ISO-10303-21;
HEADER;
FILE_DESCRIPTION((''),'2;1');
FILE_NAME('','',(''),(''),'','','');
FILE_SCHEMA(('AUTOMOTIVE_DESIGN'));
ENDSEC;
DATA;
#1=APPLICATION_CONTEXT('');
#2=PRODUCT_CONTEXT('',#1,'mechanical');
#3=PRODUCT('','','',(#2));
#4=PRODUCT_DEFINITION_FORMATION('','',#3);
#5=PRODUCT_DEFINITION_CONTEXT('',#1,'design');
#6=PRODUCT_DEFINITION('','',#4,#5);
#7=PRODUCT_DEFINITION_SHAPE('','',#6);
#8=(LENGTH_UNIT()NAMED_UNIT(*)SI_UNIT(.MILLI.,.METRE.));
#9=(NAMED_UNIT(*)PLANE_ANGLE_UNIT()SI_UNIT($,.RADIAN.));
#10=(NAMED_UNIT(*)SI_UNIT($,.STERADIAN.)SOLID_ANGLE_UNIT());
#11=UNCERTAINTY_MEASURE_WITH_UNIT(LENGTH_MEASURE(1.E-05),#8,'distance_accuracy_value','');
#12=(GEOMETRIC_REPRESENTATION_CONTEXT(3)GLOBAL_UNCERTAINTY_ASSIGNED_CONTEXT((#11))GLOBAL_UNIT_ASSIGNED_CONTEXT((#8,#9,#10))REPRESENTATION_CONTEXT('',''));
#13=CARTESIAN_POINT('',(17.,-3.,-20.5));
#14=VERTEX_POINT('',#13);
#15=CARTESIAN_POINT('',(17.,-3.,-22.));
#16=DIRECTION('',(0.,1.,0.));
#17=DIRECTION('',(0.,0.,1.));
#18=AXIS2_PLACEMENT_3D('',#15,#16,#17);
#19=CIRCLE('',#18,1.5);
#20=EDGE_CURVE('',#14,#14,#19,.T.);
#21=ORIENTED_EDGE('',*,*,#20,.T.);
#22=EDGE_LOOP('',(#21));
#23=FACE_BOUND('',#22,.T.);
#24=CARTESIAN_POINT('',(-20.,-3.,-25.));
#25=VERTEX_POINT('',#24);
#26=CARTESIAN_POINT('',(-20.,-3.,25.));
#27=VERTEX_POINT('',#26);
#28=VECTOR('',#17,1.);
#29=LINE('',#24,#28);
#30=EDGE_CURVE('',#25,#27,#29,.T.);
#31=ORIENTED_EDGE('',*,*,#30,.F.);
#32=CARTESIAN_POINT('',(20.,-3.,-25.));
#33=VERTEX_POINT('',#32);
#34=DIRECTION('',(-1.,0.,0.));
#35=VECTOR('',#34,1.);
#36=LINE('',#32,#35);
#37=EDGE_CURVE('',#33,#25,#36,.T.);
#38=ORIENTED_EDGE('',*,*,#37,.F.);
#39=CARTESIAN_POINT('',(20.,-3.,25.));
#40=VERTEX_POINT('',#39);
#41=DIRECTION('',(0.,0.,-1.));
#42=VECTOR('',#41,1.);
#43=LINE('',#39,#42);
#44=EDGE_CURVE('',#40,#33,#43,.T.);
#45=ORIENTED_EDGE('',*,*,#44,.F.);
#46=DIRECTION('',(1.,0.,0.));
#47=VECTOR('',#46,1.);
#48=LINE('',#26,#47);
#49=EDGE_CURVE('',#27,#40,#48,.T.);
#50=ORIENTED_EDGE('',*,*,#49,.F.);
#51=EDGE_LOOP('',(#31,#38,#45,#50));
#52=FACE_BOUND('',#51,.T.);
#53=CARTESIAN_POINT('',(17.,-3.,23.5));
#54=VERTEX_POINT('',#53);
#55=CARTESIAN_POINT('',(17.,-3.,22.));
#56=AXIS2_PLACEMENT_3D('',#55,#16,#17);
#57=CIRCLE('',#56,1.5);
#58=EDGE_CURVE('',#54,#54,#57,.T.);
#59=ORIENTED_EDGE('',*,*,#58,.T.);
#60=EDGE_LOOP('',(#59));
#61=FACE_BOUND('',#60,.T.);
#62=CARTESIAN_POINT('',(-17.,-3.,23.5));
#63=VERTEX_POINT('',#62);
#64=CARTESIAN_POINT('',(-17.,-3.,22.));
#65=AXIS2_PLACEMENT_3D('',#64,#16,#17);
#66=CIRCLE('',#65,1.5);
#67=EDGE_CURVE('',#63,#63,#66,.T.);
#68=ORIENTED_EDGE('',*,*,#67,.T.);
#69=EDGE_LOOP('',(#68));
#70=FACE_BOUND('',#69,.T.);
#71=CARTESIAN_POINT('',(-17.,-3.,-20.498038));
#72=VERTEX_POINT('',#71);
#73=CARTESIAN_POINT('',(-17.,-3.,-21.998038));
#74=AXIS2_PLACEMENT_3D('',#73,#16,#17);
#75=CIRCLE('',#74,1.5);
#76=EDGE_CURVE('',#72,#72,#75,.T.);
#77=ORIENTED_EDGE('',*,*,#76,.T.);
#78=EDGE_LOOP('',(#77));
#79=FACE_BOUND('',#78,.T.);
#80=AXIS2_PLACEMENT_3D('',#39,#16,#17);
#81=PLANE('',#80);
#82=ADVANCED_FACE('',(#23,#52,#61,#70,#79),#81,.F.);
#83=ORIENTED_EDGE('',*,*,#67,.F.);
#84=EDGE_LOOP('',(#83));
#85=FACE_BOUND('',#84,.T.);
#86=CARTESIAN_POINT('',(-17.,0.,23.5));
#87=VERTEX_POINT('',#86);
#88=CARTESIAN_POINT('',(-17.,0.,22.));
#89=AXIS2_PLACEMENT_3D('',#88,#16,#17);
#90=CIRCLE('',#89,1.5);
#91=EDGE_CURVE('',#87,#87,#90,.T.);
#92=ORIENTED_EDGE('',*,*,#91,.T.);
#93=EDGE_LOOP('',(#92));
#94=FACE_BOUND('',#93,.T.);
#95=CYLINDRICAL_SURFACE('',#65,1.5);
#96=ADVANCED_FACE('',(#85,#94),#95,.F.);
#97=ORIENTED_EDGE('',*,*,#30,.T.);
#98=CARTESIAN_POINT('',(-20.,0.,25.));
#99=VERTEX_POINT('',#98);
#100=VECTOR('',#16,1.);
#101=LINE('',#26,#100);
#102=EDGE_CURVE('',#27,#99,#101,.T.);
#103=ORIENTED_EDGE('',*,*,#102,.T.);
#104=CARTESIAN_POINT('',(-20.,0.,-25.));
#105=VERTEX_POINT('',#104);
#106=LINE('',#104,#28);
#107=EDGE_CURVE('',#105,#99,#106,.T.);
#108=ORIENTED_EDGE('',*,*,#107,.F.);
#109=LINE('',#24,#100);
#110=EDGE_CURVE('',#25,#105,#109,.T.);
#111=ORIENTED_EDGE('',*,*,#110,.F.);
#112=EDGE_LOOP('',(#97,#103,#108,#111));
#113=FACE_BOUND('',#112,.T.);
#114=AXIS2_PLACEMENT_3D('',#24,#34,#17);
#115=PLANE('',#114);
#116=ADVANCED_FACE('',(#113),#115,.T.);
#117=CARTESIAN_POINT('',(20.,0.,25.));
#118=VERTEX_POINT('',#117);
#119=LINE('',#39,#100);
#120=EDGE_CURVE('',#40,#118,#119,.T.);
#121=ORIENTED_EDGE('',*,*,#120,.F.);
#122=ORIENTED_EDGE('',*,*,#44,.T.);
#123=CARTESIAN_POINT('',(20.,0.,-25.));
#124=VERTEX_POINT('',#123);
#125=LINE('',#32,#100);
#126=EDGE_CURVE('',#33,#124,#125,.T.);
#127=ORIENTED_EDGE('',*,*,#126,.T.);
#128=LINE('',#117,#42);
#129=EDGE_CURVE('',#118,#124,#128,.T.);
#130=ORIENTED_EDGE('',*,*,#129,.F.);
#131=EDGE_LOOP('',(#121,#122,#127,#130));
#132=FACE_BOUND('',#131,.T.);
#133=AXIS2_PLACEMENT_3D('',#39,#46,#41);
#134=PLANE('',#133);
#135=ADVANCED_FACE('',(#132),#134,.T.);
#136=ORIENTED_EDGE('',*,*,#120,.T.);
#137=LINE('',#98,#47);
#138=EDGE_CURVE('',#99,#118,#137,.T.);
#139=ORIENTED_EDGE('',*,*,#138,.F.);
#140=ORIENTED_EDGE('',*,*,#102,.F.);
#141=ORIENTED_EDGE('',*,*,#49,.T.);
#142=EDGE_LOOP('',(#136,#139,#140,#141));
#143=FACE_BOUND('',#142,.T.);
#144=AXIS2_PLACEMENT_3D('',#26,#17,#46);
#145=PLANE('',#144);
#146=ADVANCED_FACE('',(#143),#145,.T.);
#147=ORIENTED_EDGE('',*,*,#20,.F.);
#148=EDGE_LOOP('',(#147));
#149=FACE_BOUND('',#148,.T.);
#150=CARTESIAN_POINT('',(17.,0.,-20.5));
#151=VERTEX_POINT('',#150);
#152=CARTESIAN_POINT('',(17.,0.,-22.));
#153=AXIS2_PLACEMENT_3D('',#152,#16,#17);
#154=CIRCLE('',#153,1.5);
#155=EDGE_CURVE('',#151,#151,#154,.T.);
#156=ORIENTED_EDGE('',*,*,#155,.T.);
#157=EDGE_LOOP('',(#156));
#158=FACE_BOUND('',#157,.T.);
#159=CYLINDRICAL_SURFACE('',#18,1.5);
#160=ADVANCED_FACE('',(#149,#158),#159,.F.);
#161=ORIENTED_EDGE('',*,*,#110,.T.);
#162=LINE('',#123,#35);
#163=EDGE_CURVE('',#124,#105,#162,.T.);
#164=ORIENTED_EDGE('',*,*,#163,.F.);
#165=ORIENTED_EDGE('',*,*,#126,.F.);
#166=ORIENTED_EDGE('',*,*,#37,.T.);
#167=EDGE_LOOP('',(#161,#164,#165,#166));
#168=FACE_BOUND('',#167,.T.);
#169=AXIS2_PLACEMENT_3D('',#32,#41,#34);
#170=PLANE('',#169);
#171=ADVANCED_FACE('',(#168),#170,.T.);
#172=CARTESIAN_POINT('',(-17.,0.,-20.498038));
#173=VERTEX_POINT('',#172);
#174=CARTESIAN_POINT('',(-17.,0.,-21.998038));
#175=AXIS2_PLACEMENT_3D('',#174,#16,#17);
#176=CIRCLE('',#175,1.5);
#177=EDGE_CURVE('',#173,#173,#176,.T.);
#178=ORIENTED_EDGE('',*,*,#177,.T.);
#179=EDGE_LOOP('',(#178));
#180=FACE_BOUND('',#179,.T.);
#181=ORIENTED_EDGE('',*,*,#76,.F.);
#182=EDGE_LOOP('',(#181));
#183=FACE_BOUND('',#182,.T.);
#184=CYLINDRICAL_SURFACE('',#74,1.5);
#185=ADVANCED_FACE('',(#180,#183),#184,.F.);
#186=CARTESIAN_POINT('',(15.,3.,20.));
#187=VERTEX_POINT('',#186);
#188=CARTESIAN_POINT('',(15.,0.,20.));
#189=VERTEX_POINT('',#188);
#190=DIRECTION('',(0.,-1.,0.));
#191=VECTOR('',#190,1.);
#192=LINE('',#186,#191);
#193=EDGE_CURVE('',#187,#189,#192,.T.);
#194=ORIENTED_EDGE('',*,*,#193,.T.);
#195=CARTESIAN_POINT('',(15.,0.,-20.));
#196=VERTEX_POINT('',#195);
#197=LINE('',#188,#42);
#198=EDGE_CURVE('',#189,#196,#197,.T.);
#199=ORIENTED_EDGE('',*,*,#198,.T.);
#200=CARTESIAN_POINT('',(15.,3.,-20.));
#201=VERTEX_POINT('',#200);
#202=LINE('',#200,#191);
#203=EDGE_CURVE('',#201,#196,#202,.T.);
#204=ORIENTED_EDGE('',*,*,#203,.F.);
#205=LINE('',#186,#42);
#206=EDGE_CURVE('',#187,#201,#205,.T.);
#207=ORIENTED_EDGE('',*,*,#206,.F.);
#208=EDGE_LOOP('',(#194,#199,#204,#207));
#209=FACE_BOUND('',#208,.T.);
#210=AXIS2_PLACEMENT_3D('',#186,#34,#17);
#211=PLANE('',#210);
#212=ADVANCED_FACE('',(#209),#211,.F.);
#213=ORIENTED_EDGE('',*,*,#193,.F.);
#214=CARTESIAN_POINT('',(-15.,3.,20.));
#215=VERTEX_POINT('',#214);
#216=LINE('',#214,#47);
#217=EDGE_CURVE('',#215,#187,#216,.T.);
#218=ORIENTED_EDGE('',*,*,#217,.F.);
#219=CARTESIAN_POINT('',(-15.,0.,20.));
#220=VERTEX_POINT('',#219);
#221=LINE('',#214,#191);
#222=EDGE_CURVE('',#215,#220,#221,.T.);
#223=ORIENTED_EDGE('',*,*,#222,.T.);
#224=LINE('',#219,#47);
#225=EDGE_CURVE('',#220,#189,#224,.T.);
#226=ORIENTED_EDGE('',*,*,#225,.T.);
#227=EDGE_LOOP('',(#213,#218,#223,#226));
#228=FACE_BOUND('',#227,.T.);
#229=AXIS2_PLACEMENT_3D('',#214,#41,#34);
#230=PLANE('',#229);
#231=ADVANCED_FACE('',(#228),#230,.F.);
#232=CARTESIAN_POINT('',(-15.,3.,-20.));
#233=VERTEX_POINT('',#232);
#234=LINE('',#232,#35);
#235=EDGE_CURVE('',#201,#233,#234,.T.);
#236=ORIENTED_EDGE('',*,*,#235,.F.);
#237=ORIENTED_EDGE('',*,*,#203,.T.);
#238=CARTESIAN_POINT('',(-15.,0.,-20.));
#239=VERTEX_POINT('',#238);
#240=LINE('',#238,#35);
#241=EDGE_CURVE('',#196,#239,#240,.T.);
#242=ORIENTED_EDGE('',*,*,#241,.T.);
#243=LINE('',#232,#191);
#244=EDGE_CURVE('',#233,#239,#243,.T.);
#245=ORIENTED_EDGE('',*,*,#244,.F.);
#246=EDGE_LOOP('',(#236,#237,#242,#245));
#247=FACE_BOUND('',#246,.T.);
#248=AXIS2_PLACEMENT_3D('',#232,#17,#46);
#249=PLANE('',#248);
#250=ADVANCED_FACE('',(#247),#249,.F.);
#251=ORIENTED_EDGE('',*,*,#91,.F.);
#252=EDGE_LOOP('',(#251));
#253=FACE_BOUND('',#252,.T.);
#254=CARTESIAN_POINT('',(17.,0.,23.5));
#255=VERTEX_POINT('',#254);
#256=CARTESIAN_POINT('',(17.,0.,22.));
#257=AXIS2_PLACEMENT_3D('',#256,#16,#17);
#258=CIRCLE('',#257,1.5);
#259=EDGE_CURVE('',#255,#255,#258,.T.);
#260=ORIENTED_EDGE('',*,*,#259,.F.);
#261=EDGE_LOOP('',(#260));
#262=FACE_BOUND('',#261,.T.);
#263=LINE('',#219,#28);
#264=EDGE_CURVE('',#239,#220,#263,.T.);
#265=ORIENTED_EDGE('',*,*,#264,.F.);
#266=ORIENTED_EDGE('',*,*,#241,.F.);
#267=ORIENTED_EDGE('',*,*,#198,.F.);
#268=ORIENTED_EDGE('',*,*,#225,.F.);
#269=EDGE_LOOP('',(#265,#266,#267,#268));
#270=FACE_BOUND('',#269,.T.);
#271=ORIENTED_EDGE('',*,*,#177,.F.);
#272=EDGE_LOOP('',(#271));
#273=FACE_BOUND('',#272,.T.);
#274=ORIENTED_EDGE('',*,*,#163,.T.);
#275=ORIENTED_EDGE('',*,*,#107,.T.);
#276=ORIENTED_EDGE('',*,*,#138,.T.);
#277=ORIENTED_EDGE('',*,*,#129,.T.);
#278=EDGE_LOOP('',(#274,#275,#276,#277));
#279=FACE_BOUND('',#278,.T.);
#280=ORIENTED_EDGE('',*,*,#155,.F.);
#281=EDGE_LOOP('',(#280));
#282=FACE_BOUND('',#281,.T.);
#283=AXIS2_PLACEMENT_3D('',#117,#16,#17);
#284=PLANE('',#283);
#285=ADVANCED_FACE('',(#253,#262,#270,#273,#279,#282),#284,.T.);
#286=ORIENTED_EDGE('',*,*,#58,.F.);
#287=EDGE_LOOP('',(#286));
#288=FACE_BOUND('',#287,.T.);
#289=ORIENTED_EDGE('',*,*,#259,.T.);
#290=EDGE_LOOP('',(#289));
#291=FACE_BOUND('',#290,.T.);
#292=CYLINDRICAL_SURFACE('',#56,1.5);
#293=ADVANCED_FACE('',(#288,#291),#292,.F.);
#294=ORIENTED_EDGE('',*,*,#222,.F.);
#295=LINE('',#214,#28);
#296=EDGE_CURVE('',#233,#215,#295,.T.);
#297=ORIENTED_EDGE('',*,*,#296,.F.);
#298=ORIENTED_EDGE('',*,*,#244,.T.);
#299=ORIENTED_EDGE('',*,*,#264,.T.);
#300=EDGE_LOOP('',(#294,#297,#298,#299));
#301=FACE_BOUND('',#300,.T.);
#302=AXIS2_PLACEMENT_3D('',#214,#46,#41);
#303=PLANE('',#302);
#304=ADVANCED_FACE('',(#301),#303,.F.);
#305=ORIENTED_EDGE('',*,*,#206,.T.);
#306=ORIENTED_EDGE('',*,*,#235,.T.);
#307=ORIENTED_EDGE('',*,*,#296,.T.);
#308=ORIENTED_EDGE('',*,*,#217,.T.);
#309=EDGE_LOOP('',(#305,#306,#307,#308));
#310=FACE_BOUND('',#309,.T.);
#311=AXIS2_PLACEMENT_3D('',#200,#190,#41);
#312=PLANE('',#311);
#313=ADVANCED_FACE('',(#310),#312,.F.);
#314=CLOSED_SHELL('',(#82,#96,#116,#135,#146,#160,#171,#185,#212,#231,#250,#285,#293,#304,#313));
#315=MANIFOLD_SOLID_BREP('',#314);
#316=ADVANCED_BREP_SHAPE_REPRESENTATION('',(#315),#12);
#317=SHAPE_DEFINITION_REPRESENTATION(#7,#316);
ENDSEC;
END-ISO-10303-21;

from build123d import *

# Parameters (mm, degrees)
SKETCH1_W           = 30
SKETCH1_H           = 40
BOSS_EXTRUDE1_DEPTH = 3
SKETCH2_W           = 40
SKETCH2_H           = 50
SKETCH2_R           = 1.5
BOSS_EXTRUDE2_DEPTH = 3


with BuildPart() as part:
    # Sketch1 → Boss-Extrude1 (new body)
    with BuildSketch(Plane(origin=(0, 0, 0), x_dir=(1, 0, 0), z_dir=(0, 1, 0))):
        Rectangle(SKETCH1_W, SKETCH1_H)
    extrude(amount=BOSS_EXTRUDE1_DEPTH)

    # Sketch2 → Boss-Extrude2 (add)
    with BuildSketch(Plane(origin=(0, 0, 0), x_dir=(1, 0, 0), z_dir=(0, 1, 0))):
        Rectangle(SKETCH2_W, SKETCH2_H)
        with Locations(Location((-17, 21.998038487, 0), (0, 0, 270))):
            Circle(SKETCH2_R, mode=Mode.SUBTRACT)
        with Locations(Location((17, 22, 0), (0, 0, 270))):
            Circle(SKETCH2_R, mode=Mode.SUBTRACT)
        with Locations(Location((17, -22, 0), (0, 0, 270))):
            Circle(SKETCH2_R, mode=Mode.SUBTRACT)
        with Locations(Location((-17, -22, 0), (0, 0, 270))):
            Circle(SKETCH2_R, mode=Mode.SUBTRACT)
    extrude(amount=-BOSS_EXTRUDE2_DEPTH)


solid = part.part
